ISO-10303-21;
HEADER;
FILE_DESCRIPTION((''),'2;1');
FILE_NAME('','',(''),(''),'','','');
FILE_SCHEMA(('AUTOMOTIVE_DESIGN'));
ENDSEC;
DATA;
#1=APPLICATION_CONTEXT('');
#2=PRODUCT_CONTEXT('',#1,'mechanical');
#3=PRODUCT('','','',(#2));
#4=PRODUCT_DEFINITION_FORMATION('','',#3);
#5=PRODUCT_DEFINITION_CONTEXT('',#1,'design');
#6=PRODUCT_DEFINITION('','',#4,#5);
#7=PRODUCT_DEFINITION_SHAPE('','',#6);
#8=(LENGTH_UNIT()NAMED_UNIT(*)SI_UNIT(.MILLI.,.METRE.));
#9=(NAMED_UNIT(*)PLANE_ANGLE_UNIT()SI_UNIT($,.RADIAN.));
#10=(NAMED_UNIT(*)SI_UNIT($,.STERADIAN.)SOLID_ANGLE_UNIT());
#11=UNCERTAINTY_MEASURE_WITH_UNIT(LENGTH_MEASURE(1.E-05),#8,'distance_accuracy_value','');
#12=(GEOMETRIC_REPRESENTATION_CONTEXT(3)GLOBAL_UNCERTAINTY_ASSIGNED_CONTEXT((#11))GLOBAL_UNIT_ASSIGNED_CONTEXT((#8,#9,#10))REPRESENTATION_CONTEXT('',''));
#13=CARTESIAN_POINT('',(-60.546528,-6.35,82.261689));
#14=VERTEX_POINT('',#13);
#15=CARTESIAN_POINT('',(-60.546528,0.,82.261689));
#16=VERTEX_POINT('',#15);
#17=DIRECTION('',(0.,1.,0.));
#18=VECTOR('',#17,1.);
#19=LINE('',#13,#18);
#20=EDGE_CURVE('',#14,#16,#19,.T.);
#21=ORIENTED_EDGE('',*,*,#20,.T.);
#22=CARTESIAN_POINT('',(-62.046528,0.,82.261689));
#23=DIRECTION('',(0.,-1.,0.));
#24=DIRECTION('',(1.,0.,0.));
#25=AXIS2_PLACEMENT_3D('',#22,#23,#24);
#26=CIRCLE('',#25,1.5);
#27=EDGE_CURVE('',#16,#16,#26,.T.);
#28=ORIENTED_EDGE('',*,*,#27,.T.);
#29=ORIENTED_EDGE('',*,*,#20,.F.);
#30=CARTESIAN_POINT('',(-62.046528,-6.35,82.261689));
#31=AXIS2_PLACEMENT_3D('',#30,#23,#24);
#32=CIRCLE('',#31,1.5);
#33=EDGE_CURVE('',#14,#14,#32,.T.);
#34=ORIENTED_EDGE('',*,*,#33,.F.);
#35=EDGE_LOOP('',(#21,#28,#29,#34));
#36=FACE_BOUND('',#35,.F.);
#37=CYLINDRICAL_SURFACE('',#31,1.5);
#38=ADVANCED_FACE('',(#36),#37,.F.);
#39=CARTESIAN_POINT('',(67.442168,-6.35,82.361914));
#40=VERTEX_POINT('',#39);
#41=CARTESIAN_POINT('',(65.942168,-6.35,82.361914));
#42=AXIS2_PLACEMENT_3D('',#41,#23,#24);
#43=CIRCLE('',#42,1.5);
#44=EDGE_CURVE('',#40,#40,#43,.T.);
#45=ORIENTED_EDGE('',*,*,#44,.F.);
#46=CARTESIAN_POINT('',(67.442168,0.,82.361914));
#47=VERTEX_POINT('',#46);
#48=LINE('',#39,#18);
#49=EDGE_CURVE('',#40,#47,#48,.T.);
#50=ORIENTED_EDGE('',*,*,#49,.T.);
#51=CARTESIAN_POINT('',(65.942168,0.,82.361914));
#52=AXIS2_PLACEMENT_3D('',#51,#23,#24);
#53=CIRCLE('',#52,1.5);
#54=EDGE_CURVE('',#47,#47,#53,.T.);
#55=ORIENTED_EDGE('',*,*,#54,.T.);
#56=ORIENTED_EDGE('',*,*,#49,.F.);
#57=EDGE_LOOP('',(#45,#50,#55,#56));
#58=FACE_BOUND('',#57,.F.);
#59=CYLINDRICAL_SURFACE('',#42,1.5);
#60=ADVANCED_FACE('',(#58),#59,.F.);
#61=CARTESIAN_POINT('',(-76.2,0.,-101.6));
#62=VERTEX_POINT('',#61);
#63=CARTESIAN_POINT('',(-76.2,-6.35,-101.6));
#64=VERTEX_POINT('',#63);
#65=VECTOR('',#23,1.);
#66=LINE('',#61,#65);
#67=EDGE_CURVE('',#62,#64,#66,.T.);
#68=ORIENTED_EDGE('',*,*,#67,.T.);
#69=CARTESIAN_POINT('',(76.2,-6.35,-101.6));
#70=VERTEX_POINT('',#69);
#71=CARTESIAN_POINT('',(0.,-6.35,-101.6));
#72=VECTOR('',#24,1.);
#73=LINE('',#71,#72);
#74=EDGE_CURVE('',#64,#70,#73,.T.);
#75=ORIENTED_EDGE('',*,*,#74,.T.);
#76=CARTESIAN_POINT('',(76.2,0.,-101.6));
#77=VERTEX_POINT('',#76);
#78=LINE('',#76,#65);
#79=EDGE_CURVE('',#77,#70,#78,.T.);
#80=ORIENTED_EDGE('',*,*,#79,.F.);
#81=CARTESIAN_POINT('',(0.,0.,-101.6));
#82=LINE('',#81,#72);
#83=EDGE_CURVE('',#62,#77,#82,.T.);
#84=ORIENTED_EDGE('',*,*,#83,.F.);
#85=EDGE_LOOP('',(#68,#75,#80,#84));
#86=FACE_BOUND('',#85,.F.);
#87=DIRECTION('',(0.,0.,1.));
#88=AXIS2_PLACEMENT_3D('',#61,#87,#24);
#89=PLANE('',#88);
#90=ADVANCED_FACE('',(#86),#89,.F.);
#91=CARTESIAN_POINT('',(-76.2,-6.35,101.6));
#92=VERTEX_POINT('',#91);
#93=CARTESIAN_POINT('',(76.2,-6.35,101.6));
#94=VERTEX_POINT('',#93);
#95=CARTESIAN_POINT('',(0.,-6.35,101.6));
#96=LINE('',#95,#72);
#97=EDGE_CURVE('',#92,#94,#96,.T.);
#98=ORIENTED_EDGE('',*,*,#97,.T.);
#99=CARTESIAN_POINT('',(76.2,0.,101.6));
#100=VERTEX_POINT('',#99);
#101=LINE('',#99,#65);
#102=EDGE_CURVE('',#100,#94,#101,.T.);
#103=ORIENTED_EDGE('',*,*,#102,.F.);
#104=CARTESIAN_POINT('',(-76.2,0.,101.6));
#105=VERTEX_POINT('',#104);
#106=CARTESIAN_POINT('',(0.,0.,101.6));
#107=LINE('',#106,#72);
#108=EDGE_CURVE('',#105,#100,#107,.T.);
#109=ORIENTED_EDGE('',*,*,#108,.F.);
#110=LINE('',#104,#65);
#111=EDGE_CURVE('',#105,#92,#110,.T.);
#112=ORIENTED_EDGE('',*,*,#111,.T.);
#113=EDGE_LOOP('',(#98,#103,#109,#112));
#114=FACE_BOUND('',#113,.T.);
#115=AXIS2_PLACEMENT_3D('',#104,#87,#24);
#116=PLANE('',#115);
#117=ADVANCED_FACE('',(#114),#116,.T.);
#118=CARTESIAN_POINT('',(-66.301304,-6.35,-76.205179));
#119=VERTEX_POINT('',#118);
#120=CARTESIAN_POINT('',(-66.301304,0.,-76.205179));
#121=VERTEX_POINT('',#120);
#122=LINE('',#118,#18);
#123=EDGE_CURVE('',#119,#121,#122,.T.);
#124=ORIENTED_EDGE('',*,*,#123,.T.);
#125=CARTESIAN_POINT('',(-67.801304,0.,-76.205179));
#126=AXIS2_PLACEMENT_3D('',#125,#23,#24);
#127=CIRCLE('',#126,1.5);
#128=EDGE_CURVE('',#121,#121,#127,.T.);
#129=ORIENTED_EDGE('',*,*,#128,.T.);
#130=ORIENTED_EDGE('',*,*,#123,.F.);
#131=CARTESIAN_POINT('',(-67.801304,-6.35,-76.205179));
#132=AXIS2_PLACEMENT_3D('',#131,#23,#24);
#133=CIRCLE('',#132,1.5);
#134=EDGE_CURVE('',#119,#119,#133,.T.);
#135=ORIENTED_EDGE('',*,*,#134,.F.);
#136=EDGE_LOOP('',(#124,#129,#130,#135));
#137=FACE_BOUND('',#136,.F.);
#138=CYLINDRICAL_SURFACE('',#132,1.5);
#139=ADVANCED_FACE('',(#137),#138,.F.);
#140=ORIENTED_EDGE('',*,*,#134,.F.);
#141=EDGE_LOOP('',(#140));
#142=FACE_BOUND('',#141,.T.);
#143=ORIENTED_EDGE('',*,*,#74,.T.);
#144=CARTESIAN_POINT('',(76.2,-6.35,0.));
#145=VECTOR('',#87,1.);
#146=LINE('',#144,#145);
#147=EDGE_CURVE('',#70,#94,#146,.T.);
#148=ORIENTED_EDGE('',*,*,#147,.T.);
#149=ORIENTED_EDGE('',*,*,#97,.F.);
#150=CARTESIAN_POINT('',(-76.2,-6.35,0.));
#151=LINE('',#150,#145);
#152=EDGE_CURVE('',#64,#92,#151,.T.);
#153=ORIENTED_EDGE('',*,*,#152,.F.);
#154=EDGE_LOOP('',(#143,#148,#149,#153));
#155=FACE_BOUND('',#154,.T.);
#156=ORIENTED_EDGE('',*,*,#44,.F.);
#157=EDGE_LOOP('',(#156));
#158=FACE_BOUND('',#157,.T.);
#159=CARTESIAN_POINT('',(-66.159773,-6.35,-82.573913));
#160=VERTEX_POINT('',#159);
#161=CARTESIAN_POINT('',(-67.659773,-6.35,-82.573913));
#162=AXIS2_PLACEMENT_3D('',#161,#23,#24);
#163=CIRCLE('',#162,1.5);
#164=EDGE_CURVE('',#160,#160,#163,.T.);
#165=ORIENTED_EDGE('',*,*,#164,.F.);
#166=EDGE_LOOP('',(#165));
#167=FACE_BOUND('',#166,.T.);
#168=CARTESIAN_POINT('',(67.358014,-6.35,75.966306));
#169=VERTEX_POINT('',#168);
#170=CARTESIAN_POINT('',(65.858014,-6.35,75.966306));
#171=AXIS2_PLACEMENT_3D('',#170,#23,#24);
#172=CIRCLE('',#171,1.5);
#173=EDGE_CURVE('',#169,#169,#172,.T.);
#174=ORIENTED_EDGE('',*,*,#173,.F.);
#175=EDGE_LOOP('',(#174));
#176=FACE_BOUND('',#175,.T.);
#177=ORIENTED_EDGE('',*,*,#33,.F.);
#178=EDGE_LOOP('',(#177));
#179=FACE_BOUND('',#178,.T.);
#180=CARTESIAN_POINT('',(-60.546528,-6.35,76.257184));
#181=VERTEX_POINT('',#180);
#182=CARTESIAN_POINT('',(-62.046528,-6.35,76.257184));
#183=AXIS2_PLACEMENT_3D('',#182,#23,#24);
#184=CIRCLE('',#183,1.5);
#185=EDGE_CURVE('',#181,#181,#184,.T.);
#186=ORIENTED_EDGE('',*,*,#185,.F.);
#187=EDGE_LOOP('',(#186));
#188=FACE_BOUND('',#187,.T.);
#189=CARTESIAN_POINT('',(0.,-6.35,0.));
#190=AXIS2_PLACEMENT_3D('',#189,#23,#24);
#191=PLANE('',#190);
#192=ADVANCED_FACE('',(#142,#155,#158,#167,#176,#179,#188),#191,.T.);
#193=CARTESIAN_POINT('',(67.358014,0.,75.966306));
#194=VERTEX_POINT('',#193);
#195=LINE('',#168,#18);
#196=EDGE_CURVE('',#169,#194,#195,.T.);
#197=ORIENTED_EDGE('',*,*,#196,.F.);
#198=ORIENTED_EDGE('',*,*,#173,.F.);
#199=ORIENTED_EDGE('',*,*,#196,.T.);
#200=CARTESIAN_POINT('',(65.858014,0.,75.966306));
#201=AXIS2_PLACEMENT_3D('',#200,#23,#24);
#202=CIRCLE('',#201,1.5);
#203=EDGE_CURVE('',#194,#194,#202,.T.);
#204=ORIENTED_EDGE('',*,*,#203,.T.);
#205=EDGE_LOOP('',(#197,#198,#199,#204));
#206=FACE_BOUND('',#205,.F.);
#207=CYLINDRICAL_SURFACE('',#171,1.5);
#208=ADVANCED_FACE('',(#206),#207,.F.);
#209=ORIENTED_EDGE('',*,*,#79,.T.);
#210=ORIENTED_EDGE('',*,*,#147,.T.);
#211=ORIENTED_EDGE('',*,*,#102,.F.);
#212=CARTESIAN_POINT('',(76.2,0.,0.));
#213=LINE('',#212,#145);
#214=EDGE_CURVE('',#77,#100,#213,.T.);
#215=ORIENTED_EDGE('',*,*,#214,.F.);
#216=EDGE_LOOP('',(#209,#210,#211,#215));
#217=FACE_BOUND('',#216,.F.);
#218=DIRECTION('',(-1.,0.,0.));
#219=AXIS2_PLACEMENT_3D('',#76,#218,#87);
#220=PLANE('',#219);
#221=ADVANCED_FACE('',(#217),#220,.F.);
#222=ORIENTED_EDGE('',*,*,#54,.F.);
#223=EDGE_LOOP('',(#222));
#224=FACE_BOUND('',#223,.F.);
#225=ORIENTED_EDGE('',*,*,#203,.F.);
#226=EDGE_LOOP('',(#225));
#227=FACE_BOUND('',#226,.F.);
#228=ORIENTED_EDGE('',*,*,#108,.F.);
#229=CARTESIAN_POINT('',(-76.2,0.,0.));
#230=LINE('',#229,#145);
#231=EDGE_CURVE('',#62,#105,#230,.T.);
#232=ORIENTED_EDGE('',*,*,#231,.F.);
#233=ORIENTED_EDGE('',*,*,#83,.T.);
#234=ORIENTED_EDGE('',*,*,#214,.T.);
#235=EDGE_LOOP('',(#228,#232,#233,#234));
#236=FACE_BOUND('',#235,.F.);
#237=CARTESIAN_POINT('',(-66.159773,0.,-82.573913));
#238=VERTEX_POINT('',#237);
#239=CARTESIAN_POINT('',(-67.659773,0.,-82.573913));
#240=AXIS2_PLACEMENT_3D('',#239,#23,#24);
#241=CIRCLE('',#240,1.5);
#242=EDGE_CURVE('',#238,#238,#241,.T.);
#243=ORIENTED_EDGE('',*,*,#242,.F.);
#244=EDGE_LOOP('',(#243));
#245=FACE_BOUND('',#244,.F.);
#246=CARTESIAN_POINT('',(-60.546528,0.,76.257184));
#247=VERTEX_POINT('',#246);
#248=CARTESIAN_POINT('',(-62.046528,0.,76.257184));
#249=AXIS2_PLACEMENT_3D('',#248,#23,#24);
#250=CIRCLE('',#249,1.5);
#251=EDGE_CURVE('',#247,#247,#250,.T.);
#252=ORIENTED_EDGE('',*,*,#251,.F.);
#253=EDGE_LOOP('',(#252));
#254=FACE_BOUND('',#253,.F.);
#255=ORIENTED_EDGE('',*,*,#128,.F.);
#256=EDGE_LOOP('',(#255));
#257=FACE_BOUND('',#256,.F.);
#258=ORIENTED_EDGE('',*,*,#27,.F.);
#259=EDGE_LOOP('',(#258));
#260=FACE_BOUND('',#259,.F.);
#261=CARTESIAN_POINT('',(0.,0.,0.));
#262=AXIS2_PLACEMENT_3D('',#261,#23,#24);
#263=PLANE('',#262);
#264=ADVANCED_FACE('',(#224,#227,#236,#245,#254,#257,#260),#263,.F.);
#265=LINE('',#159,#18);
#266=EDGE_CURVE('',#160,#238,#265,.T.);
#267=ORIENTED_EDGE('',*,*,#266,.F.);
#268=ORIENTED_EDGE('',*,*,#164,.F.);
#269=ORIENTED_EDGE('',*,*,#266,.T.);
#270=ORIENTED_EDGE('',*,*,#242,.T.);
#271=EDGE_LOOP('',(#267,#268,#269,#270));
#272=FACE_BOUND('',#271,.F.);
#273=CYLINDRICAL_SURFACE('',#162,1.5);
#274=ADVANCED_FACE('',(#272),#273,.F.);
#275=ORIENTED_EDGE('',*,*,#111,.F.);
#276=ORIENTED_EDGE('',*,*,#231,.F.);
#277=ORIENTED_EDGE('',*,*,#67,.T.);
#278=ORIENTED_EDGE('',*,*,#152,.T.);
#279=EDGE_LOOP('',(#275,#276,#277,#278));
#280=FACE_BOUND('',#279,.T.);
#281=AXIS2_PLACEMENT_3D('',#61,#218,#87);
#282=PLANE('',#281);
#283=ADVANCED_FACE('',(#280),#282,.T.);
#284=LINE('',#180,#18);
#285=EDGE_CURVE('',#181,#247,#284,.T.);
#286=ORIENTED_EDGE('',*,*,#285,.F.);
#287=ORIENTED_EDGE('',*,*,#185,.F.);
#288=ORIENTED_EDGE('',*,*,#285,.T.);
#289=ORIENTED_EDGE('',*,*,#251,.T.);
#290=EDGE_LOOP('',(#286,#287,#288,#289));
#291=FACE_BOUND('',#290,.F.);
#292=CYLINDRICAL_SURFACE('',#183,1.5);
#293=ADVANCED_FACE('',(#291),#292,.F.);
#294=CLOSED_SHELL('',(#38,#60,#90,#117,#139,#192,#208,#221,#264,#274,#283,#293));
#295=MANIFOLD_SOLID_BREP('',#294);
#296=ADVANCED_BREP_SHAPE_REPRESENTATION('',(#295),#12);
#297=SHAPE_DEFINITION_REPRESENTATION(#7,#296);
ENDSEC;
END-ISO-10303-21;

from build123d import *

# Parameters (mm, degrees)
F0_W      = 152.4
F0_H      = 203.2
F1_DEPTH  = 6.35
F3_R      = 1.5
F5_DEPTH  = 6.35
F4_R      = 1.5
F6_DEPTH  = 6.35
F7_R      = 1.5
F8_DEPTH  = 6.35
F10_R     = 1.5
F9_R      = 1.5
F11_DEPTH = 6.35


with BuildPart() as f1:
    # F0 (on Front) → F1 (new body)
    with BuildSketch(Plane.XZ):
        Rectangle(F0_W, F0_H)
    extrude(amount=F1_DEPTH)

    # F3 (on face) → F5 (cut)
    with BuildSketch(Plane.XZ.offset(6.35)):
        with Locations((-62.046528, 82.261689)):
            Circle(F3_R)
    extrude(amount=-F5_DEPTH, mode=Mode.SUBTRACT)

    # F4 (on face) → F6 (cut)
    with BuildSketch(Plane.XZ.offset(6.35)):
        with Locations((-62.046528, 76.257184)):
            Circle(F4_R)
    extrude(amount=-F6_DEPTH, mode=Mode.SUBTRACT)

    # F7 (on face) → F8 (cut)
    with BuildSketch(Plane.XZ.offset(6.35)):
        with Locations((65.942168, 82.361914)):
            Circle(F7_R)
        with Locations((65.858014, 75.966306)):
            Circle(F7_R)
    extrude(amount=-F8_DEPTH, mode=Mode.SUBTRACT)

    # F10 (on face) + F9 (on face) → F11 (cut)
    with BuildSketch(Plane.XZ.offset(6.35)):
        with Locations((-67.659773, -82.573913)):
            Circle(F10_R)
    with BuildSketch(Plane.XZ.offset(6.35)):
        with Locations((-67.801304, -76.205179)):
            Circle(F9_R)
    extrude(amount=-F11_DEPTH, mode=Mode.SUBTRACT)


solid = f1.part
